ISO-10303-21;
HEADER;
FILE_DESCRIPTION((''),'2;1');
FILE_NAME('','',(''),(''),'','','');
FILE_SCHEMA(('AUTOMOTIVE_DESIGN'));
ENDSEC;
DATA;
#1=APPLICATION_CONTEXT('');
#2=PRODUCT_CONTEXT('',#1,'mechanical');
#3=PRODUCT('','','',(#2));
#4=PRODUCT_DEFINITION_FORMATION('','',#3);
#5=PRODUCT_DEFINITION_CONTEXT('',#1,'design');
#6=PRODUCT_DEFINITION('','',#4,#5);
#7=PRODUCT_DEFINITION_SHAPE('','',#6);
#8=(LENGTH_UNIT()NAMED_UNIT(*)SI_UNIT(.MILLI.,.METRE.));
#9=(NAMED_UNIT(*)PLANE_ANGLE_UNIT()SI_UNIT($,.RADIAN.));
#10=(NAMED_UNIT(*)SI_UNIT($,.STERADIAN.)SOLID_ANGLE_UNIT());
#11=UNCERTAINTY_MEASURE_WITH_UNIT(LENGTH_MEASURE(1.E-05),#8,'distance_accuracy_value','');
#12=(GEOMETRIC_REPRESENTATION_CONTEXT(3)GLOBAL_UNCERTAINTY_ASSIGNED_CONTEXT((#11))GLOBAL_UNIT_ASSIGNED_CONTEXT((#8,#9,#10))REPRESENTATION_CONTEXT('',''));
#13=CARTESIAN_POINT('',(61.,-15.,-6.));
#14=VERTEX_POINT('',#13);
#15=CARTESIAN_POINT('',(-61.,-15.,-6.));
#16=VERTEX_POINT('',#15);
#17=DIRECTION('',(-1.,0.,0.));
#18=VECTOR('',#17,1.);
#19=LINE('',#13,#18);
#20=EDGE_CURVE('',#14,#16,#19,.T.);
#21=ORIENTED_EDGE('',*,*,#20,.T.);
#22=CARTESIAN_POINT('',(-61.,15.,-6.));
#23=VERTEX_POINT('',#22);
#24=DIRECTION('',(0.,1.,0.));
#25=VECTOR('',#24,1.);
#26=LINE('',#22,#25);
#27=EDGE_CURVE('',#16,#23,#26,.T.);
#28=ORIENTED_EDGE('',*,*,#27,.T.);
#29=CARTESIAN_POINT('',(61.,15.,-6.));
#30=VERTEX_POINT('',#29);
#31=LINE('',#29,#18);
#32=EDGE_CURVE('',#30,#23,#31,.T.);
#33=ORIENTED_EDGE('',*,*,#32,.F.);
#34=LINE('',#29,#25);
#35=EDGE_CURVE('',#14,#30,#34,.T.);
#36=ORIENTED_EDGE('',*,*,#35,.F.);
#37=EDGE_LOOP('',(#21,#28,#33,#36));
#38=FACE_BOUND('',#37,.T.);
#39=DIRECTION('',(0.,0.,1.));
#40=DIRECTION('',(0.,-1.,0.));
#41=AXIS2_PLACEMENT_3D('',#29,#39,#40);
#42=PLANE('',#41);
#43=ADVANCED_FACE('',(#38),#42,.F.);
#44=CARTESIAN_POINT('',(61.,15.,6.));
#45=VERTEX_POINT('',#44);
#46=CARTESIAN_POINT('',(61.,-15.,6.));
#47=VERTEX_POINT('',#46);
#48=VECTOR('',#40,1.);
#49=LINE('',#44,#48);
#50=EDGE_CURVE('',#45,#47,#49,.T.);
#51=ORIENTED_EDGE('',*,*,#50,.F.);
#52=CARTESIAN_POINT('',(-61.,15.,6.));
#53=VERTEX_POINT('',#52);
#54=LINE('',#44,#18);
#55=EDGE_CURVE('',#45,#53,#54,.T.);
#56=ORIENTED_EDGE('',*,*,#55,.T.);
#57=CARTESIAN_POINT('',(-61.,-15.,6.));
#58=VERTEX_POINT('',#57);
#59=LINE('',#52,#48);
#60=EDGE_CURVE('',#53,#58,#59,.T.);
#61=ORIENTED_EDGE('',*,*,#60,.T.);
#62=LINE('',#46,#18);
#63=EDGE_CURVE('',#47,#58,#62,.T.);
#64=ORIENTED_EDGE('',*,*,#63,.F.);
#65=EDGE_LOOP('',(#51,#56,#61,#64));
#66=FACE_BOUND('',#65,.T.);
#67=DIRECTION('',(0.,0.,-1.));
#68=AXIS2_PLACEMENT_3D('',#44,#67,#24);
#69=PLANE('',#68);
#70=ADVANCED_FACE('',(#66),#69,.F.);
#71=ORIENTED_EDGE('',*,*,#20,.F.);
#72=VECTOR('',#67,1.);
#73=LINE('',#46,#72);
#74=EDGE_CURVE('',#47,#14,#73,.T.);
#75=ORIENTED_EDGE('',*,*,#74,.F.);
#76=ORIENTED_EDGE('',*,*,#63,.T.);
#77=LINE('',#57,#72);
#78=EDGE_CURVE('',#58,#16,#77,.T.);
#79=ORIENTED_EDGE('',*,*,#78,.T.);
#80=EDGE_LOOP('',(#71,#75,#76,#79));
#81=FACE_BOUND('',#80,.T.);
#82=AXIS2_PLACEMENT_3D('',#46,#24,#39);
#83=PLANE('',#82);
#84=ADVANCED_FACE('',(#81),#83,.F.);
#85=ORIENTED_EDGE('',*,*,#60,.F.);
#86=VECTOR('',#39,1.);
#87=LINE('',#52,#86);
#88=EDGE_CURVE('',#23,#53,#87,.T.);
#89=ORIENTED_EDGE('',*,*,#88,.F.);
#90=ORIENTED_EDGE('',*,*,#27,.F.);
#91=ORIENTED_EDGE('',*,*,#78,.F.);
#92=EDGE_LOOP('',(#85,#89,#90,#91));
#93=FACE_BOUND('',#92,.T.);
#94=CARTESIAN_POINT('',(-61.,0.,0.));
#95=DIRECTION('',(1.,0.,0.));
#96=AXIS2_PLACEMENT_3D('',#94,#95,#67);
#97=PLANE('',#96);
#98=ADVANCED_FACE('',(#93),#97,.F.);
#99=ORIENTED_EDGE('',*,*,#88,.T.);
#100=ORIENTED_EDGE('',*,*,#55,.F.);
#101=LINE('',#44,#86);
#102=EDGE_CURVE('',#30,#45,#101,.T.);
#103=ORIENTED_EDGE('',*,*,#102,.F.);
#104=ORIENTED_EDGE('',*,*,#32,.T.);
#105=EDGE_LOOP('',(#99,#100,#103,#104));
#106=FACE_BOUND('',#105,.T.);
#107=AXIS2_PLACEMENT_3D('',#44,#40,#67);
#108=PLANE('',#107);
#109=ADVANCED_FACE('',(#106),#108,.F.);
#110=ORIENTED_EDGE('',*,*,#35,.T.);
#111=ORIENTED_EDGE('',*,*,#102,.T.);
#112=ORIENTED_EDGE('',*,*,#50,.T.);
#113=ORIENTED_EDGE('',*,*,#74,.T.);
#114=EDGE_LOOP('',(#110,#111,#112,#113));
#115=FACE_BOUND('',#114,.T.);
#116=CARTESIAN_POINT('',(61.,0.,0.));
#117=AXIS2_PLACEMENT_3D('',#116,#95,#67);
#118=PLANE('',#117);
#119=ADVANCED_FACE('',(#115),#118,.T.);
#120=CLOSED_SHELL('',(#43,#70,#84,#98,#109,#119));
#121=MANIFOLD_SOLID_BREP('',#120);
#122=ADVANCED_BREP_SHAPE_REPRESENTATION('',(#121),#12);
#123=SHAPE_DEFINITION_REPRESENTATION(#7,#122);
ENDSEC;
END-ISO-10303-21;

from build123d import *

# Parameters (mm, degrees)
SKETCH1_W           = 12
SKETCH1_H           = 30
BOSS_EXTRUDE1_DEPTH = 61


with BuildPart() as part:
    # Sketch1 → Boss-Extrude1 (new body, symmetric)
    with BuildSketch(Plane(origin=(0, 0, 0), x_dir=(0, 0, -1), z_dir=(1, 0, 0))):
        Rectangle(SKETCH1_W, SKETCH1_H)
    extrude(amount=BOSS_EXTRUDE1_DEPTH, both=True)


solid = part.part
